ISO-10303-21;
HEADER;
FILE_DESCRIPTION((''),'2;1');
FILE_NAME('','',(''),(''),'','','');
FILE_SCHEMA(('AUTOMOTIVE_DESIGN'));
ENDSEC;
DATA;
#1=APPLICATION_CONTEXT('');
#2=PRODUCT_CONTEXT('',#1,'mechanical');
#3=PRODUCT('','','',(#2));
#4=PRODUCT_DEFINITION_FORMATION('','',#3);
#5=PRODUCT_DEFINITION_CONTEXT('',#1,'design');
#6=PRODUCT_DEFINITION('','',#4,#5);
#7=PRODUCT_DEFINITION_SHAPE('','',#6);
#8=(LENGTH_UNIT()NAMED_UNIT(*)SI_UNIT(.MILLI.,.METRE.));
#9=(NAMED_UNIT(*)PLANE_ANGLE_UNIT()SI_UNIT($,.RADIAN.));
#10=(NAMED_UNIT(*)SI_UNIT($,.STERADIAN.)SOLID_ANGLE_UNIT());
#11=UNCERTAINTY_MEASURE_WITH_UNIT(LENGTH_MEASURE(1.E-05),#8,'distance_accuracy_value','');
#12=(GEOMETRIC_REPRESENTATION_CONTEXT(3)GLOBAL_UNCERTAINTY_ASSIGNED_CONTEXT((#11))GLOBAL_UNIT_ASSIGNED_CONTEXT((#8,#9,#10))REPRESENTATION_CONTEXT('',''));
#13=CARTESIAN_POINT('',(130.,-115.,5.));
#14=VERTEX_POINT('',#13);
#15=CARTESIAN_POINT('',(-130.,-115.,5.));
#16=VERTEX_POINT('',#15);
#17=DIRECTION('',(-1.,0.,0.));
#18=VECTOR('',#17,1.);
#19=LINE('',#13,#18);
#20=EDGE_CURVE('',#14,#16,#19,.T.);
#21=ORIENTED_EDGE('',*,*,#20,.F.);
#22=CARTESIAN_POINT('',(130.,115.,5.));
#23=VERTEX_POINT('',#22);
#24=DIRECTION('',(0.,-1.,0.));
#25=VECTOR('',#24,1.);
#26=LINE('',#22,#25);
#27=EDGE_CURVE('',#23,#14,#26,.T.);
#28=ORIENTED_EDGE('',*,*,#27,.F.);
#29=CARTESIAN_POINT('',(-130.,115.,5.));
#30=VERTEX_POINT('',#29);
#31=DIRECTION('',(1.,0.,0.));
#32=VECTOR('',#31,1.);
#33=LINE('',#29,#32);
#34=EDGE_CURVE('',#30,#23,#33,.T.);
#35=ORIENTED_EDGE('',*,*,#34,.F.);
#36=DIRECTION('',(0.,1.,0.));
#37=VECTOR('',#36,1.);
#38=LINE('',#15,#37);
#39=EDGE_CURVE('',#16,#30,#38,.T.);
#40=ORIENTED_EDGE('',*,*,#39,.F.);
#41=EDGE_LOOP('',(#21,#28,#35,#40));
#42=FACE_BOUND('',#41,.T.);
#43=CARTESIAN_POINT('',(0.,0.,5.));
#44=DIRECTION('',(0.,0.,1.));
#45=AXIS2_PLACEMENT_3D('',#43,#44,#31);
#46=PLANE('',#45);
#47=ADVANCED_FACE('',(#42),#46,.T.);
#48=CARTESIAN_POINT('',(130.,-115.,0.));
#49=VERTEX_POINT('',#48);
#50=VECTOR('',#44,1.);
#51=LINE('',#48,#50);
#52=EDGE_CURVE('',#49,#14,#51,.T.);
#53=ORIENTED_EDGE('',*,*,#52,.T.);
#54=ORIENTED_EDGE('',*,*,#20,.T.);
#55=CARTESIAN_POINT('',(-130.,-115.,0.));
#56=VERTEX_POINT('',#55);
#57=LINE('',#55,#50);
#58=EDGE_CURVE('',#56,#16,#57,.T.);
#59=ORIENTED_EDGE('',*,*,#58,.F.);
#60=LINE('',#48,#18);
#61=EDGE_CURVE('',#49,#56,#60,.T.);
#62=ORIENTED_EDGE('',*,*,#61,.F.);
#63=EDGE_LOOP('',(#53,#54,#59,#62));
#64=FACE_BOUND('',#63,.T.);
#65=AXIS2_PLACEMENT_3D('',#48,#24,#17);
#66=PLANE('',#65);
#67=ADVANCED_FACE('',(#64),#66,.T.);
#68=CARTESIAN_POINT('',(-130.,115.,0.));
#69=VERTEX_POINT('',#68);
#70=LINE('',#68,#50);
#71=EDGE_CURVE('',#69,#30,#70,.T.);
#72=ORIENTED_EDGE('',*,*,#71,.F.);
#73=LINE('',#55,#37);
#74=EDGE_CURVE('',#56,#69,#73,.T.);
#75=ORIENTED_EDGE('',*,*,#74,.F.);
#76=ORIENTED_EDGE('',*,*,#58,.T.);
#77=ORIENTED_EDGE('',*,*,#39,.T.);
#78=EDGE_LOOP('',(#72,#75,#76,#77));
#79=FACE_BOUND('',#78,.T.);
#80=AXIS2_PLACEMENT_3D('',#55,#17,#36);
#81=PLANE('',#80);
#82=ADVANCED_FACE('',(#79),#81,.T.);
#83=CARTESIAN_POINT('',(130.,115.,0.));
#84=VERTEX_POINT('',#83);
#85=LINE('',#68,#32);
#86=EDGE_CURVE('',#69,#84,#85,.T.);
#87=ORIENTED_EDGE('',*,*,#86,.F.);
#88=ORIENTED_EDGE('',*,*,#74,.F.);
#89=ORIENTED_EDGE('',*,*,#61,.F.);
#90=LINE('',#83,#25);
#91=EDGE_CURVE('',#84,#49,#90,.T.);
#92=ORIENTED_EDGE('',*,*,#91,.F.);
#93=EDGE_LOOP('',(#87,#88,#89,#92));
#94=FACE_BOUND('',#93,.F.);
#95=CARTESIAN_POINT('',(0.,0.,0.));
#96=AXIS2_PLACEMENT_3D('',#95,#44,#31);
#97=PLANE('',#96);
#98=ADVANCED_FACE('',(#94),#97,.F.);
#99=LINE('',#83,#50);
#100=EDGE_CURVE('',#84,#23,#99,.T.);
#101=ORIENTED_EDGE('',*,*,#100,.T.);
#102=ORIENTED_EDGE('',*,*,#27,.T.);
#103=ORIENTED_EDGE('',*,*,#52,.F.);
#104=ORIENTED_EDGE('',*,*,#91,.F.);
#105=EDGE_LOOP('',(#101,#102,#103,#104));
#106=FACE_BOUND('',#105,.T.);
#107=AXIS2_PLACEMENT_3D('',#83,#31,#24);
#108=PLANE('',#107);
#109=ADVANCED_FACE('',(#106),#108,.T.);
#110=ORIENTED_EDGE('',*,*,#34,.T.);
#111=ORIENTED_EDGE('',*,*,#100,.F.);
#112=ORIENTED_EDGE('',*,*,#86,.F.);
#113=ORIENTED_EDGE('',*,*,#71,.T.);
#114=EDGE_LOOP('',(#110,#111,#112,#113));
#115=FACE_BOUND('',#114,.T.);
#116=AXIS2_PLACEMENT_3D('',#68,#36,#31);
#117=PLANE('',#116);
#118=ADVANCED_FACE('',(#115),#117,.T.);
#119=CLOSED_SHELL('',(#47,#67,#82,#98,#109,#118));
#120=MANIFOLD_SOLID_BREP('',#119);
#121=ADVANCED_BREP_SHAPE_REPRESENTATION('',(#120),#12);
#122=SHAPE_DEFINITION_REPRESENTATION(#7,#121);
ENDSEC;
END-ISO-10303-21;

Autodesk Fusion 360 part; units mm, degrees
sketch "Sketch1" plane through (0, 0, 0) normal (0, 0, 1) x (1, 0, 0)
  line L0 (115.3, 31.25) -> (-115.3, 31.25)
  line L1 (-115.3, 31.25) -> (-115.3, -31.25)
  line L2 (-115.3, -31.25) -> (115.3, -31.25)
  line L3 (115.3, -31.25) -> (115.3, 31.25)
  line L4 (115.3, 31.25) -> (-115.3, -31.25) construction
  line L5 (-115.3, 31.25) -> (115.3, -31.25) construction
  dimension "d1" = 230.6
  dimension "d2" = 62.5
extrude "Extrude1" add sketch "Sketch1" along normal blind 5

Autodesk Fusion 360 part; units mm, degrees
sketch "Sketch1" plane through (0, 0, 0) normal (0, 0, 1) x (1, 0, 0)
  line L0 (135, -31.25) -> (-135, -31.25)
  line L1 (-135, -31.25) -> (-135, 31.25)
  line L2 (-135, 31.25) -> (135, 31.25)
  line L3 (135, 31.25) -> (135, -31.25)
  line L4 (135, -31.25) -> (-135, 31.25) construction
  line L5 (-135, -31.25) -> (135, 31.25) construction
  line L6 (-135, -31.25) -> (-145.5, -31.25)
  line L7 (-135, 31.25) -> (-145.5, -31.25)
  line L8 (135, -31.25) -> (145.5, -31.25)
  line L9 (135, 31.25) -> (145.5, -31.25)
  dimension "d1" = 62.5
  dimension "d2" = 270
  dimension "d5" = 10.5
  dimension "d6" = 10.5
extrude "Extrude1" add sketch "Sketch1" along normal blind 5

Autodesk Fusion 360 part; units mm, degrees
sketch "Sketch1" plane through (0, 0, 0) normal (0, 0, 1) x (1, 0, 0)
  line L0 (130, -115) -> (-130, -115)
  line L1 (-130, -115) -> (-130, 115)
  line L2 (-130, 115) -> (130, 115)
  line L3 (130, 115) -> (130, -115)
  line L4 (130, -115) -> (-130, 115) construction
  line L5 (-130, -115) -> (130, 115) construction
  dimension "d1" = 260
  dimension "d2" = 230
extrude "Extrude1" add sketch "Sketch1" along normal blind 5
